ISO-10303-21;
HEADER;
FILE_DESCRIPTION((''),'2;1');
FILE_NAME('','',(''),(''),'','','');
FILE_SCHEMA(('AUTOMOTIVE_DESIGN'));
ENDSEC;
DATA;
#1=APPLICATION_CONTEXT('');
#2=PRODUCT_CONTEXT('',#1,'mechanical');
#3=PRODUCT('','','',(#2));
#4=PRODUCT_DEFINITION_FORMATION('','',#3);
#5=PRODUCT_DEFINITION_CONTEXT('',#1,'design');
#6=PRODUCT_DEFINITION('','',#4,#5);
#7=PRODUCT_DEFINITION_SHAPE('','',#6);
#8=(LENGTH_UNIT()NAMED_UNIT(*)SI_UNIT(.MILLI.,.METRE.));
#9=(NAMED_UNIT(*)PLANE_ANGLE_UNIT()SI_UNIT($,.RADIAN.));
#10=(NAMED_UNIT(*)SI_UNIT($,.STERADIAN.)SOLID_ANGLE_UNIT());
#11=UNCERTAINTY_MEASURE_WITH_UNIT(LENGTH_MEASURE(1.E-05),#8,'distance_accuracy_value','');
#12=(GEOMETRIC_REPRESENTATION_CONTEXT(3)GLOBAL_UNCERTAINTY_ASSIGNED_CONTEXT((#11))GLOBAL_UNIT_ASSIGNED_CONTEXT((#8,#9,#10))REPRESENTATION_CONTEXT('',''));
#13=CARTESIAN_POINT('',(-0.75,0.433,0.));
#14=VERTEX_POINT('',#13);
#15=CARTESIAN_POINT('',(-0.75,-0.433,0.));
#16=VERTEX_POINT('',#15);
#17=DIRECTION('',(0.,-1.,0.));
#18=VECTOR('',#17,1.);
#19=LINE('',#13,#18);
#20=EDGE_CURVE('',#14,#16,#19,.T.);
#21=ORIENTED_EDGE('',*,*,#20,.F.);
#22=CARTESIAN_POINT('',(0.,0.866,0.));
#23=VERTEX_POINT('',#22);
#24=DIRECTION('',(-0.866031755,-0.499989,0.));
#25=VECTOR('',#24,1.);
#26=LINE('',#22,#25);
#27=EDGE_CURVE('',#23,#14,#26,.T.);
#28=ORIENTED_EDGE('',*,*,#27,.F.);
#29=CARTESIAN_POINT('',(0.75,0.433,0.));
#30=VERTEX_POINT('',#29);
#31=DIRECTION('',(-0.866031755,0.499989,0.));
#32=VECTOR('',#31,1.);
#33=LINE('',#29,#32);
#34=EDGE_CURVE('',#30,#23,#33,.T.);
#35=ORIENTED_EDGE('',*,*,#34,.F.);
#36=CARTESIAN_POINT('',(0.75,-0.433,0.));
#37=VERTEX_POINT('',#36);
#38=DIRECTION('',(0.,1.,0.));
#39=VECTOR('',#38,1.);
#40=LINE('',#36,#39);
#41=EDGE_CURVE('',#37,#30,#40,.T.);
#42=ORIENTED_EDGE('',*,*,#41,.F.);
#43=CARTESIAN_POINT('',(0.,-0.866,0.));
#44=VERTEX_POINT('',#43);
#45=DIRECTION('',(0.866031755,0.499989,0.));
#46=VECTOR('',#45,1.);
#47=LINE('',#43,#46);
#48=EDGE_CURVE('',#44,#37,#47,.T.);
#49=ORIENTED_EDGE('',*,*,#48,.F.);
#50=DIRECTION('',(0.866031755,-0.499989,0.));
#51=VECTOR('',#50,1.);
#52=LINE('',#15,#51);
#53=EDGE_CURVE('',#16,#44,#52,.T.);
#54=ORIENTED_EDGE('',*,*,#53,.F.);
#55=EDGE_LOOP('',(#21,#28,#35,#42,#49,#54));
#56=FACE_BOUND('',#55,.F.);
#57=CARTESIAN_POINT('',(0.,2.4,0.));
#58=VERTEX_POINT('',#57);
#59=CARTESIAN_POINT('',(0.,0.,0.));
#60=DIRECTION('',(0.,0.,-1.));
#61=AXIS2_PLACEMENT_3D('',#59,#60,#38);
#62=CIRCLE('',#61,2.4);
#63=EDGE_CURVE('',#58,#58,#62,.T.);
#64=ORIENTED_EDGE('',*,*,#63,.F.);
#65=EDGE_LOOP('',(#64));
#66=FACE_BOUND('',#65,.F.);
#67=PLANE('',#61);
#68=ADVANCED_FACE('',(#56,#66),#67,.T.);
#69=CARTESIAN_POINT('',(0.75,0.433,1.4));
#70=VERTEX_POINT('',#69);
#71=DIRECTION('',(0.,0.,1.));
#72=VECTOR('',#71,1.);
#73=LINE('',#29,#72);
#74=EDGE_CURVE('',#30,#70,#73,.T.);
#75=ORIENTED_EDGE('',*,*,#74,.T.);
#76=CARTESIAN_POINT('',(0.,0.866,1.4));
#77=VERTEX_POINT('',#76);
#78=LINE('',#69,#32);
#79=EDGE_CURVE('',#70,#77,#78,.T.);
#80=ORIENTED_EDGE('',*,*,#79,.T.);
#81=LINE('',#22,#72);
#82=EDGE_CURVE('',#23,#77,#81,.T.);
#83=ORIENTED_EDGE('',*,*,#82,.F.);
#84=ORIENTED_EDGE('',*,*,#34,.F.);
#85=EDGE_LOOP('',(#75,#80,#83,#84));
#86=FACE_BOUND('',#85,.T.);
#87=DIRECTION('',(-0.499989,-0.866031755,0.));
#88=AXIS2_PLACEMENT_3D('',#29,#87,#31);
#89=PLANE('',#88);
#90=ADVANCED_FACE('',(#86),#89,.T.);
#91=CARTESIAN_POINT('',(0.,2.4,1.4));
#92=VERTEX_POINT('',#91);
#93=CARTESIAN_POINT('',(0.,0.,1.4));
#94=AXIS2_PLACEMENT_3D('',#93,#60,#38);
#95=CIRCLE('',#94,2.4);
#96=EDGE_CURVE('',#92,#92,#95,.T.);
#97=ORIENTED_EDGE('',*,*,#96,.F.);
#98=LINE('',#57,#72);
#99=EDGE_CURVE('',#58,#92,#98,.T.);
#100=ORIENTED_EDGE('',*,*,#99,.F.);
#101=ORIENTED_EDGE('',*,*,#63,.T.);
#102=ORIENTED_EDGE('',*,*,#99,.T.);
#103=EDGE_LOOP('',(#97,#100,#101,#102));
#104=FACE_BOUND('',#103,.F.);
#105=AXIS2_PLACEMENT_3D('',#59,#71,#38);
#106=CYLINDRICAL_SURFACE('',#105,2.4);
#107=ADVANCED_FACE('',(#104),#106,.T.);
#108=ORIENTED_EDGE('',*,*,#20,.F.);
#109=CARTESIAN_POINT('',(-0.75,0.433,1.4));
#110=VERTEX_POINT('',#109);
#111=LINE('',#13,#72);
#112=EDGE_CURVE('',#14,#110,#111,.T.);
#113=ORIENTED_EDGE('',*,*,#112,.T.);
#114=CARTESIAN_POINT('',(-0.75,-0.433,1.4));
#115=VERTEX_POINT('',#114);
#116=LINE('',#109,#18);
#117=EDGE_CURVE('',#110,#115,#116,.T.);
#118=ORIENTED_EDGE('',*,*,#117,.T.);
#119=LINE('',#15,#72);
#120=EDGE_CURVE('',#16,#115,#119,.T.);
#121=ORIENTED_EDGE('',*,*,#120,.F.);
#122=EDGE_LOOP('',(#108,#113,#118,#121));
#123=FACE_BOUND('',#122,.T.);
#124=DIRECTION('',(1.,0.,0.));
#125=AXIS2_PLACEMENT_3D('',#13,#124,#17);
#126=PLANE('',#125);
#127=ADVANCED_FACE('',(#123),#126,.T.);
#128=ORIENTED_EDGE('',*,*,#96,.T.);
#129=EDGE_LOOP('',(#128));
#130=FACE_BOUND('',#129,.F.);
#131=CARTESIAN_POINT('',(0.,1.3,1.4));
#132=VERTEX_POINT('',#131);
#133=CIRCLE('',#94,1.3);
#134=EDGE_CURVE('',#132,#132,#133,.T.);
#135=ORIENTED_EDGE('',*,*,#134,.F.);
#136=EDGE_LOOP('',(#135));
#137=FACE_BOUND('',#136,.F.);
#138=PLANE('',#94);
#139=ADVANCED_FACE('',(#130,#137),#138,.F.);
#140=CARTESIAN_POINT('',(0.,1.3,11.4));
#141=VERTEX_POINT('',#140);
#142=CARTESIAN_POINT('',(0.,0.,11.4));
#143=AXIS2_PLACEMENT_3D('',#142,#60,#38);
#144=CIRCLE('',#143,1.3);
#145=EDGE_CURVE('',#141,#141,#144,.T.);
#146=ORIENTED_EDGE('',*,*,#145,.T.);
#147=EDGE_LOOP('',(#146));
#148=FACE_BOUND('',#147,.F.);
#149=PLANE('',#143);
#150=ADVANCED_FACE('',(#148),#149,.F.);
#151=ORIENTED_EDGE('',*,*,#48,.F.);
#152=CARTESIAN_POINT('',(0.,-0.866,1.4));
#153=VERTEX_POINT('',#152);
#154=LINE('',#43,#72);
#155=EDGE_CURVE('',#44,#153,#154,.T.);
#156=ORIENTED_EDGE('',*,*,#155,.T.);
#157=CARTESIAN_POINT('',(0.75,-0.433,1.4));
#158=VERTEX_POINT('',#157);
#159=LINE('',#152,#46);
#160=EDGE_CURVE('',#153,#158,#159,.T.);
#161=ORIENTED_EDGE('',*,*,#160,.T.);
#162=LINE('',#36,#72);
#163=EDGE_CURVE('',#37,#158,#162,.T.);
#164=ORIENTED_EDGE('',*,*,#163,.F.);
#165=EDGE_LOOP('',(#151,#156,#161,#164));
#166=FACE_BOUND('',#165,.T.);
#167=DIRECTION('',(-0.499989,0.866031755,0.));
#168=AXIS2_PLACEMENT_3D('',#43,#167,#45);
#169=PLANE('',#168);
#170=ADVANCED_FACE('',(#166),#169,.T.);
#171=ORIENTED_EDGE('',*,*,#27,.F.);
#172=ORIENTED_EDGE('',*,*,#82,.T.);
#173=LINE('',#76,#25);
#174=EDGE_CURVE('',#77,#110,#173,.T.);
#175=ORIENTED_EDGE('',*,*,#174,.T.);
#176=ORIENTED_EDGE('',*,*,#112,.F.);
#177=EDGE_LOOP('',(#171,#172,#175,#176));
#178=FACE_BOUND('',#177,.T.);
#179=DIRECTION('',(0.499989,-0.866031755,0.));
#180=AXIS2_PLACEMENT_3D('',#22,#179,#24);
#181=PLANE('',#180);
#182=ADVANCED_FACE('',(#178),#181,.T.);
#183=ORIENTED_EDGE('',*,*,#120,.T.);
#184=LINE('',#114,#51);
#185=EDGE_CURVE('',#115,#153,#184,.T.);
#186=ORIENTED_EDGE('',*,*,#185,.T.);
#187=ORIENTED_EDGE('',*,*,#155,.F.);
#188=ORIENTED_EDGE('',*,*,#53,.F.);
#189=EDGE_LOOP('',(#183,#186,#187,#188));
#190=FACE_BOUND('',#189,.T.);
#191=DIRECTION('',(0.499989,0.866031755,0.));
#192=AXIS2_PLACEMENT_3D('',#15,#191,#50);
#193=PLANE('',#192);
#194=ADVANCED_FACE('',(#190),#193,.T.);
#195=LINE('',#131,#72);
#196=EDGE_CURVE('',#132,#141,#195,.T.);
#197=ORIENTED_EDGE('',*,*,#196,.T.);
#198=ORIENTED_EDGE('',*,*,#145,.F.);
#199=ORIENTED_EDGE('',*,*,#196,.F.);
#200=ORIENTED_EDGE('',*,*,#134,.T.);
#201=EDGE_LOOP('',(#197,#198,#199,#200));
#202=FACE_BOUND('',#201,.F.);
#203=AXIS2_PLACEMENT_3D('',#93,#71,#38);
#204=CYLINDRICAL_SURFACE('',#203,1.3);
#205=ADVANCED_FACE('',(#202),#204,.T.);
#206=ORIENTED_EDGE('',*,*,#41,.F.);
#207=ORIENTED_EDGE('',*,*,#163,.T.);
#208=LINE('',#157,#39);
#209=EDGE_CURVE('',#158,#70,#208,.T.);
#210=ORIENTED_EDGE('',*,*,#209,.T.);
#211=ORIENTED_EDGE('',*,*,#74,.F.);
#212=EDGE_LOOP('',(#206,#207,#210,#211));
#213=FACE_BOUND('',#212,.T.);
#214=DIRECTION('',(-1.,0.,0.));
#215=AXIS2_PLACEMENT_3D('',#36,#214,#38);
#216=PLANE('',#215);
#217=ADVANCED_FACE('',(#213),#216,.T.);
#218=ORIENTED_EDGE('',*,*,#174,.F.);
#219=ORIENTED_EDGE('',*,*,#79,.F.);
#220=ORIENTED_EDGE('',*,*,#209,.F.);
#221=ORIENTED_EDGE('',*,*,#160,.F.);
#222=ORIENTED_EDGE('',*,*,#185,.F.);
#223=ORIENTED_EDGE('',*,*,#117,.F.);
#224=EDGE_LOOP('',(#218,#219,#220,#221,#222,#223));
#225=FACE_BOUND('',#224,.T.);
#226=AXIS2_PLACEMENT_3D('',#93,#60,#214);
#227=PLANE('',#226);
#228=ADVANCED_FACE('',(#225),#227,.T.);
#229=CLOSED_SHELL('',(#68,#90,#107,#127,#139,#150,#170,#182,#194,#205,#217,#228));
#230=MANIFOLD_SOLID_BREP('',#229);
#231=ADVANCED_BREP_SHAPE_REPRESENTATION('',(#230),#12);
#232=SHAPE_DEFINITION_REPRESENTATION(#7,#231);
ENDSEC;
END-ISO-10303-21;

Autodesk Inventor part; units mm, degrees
ref_plane "YZ Plane" through (0, 0, 0) normal (1, 0, 0) x (0, 1, 0)
ref_plane "XZ Plane" through (0, 0, 0) normal (0, 1, 0) x (-1, 0, 0)
ref_plane "XY Plane" through (0, 0, 0) normal (0, 0, 1) x (1, 0, 0)
sketch "スケッチ1" plane through (0, 0, 0) normal (1, 0, 0) x (0, 1, 0)
  line L0 (0, 11.4) -> (0, 0)
  line L1 (0, 0) -> (2.4, 0)
  line L2 (2.4, 0) -> (2.4, 1.4)
  line L3 (2.4, 1.4) -> (1.3, 1.4)
  line L4 (1.3, 1.4) -> (1.3, 11.4)
  line L5 (1.3, 11.4) -> (0, 11.4)
  dimension "d1" = 1.3
  dimension "d2" = 1.4
  dimension "d3" = 2.4
  dimension "d10" = 10
revolve "回転1" add sketch "スケッチ1" angle 360 about axis through (0, 0, 11.4) along (0, 0, -1)
thread "ねじ1" size "M2.6x0.45" class "6g" standard "ANSI Metric M Profile" full length
sketch "スケッチ2" plane through (0, 0, 0) normal (0, 0, -1) x (-1, 0, 0)
  line L0 (0, 0.866) -> (0.75, 0.433)
  line L1 (0.75, 0.433) -> (0.75, -0.433)
  line L2 (0.75, -0.433) -> (0, -0.866)
  line L3 (0, -0.866) -> (-0.75, -0.433)
  line L4 (-0.75, -0.433) -> (-0.75, 0.433)
  line L5 (-0.75, 0.433) -> (0, 0.866)
  circle A0 centre (0, 0) radius 2.4 projected
  line L6 (0, 2.4) -> (0, -2.4) construction
  dimension "d7" = 1.5
extrude "押し出し1" cut sketch "スケッチ2" against normal blind 1.4 contours L0 L1 L2 L3 L4 L5
properties part number "M2_6-10" material "ステンレス鋼 AISI 304"
